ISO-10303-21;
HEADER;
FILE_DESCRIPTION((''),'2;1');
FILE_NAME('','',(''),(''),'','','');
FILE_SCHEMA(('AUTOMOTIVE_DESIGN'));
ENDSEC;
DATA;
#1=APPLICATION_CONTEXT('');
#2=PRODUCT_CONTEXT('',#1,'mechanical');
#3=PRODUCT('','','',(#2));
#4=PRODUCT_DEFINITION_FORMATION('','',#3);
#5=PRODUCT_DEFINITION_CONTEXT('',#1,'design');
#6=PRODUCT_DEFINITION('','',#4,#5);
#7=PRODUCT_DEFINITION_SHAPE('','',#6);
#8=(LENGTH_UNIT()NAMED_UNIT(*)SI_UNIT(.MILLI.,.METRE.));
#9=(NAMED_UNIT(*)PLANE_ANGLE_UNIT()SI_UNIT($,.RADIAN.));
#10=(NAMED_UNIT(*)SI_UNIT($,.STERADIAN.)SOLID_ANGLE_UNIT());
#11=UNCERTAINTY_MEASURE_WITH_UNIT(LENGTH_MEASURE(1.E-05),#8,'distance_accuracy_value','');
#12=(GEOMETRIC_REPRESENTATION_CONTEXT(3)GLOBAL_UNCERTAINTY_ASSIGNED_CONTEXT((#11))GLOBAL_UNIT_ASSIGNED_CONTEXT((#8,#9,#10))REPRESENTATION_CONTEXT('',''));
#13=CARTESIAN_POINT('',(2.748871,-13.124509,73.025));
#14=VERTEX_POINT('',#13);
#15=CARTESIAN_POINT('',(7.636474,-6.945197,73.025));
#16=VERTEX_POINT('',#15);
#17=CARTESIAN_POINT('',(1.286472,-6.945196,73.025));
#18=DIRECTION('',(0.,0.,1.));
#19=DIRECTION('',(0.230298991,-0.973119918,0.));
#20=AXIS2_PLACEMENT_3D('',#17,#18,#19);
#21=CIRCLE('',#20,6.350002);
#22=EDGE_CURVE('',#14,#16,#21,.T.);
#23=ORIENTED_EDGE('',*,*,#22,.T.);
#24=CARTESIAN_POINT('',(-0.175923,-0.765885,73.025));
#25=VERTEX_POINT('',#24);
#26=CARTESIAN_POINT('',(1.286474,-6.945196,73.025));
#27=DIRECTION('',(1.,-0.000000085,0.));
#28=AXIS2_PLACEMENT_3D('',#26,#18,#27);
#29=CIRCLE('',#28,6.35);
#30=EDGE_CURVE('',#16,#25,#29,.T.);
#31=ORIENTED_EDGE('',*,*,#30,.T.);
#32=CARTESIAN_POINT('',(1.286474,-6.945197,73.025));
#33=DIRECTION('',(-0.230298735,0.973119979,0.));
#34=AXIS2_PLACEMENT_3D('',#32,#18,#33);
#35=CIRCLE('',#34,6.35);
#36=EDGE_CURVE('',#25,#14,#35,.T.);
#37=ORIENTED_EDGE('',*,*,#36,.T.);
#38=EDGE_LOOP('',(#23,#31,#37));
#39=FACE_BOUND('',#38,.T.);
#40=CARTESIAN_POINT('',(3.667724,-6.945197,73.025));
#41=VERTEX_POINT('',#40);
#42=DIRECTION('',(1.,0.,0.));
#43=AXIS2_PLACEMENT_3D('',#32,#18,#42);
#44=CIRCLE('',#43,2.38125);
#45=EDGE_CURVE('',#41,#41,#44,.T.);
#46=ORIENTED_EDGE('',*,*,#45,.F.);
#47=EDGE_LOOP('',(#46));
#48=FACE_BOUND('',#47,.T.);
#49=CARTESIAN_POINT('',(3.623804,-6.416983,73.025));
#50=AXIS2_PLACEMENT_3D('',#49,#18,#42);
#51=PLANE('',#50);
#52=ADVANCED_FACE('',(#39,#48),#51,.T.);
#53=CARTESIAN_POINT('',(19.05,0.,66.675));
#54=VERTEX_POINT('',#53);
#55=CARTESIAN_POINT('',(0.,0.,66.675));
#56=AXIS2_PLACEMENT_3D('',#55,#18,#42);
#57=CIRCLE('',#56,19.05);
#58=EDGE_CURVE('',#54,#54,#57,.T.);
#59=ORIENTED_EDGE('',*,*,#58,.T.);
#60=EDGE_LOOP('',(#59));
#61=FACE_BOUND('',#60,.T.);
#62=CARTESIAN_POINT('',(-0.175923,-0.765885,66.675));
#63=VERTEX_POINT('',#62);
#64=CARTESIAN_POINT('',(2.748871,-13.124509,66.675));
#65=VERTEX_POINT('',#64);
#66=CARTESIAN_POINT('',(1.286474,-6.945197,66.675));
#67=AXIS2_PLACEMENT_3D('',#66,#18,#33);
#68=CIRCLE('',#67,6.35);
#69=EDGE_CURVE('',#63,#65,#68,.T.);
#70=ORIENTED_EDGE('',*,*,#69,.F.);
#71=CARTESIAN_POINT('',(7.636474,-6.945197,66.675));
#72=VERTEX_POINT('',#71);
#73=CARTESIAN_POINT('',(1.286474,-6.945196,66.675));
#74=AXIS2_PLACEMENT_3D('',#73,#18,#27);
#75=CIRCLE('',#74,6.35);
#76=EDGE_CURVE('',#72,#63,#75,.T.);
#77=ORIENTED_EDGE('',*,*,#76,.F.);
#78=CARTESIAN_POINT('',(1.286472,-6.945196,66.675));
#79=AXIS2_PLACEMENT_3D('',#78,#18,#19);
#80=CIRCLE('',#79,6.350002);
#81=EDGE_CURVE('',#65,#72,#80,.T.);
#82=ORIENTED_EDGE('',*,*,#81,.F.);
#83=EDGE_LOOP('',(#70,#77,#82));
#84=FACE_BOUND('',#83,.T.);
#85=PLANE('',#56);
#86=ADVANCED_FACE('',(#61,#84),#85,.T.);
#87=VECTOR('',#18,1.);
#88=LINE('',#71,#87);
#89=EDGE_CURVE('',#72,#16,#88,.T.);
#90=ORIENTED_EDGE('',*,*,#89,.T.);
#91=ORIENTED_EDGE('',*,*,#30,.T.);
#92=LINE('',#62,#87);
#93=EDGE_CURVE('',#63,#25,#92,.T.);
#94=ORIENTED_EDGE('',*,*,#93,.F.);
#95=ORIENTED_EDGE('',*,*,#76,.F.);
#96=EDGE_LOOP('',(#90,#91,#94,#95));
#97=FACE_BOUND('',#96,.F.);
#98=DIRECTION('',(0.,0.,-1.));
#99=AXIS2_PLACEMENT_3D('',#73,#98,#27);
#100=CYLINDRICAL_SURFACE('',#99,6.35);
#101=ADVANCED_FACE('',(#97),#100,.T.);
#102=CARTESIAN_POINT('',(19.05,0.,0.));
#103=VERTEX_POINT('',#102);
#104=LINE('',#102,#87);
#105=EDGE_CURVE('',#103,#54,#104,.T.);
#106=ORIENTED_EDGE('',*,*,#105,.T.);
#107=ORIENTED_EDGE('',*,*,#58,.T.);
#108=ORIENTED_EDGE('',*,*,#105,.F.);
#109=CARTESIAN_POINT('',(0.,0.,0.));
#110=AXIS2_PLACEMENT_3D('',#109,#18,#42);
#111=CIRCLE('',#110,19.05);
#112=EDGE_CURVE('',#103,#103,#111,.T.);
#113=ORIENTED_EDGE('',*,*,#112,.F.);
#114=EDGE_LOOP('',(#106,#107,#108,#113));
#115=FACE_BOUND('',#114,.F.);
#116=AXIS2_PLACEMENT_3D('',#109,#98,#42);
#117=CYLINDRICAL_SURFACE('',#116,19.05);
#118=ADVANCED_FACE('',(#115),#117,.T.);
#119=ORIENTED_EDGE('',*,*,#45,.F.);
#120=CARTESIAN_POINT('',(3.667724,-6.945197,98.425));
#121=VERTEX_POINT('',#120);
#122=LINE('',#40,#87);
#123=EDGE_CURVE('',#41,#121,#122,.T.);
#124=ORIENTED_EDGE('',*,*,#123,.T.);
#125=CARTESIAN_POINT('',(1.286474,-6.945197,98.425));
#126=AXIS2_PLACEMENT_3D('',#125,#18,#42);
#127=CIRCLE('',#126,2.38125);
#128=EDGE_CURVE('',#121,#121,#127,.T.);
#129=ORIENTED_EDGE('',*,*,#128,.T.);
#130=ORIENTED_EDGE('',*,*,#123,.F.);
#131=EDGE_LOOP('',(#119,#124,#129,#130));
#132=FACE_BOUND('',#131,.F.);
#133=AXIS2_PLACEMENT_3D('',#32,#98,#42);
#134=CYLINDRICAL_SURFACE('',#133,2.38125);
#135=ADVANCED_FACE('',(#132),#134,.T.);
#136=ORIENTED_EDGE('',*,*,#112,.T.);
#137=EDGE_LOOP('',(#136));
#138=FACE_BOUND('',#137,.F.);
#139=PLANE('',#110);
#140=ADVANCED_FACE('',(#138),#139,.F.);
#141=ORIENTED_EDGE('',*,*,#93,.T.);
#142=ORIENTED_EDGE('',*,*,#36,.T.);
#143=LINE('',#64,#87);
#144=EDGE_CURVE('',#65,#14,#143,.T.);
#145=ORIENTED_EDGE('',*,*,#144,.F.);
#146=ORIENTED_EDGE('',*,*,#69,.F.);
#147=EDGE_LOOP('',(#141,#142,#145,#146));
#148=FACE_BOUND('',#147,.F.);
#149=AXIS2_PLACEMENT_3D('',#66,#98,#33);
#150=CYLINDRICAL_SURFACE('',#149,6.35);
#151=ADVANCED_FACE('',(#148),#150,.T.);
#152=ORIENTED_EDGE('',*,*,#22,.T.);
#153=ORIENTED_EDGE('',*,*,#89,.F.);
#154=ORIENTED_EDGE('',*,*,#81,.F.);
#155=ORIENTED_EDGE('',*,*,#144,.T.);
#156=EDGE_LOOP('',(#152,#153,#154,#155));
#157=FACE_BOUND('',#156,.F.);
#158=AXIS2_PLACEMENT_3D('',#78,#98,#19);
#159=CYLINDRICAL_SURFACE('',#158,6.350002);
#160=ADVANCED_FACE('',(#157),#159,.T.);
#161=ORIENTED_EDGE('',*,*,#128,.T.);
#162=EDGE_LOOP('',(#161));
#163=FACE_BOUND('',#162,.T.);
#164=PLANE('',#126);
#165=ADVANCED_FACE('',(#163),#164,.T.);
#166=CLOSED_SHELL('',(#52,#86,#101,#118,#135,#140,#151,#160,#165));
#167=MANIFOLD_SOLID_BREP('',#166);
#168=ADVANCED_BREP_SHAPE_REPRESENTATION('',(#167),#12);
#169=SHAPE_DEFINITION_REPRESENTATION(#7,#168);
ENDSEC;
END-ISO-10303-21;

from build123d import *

# Parameters (mm, degrees)
F0_R     = 19.05
F1_DEPTH = 66.675
F3_DEPTH = 6.35
F4_R     = 2.38125
F5_DEPTH = 25.4


with BuildPart() as f1:
    # F0 (on Top) → F1 (new body)
    with BuildSketch(Plane.XY):
        Circle(F0_R)
    extrude(amount=F1_DEPTH)

    # F2 (on face) → F3 (join)
    with BuildSketch(Plane.XY.offset(66.675)):
        with BuildLine():
            ThreePointArc((7.636474, -6.945197), (5.225781, -1.964799), (-0.175923, -0.765885))
            Line((-0.175923, -0.765885), (2.748871, -13.124509))
            ThreePointArc((2.748871, -13.124509), (6.266871, -10.884504), (7.636474, -6.945197))
        make_face()
        with BuildLine():
            Line((2.748871, -13.124509), (-0.175923, -0.765885))
            ThreePointArc((-0.175923, -0.765885), (-4.892838, -8.407594), (2.748871, -13.124509))
        make_face()
    extrude(amount=F3_DEPTH)

    # F4 (on face) → F5 (join)
    with BuildSketch(Plane.XY.offset(73.025)):
        with Locations((1.286474, -6.945197)):
            Circle(F4_R)
    extrude(amount=F5_DEPTH)


solid = f1.part
